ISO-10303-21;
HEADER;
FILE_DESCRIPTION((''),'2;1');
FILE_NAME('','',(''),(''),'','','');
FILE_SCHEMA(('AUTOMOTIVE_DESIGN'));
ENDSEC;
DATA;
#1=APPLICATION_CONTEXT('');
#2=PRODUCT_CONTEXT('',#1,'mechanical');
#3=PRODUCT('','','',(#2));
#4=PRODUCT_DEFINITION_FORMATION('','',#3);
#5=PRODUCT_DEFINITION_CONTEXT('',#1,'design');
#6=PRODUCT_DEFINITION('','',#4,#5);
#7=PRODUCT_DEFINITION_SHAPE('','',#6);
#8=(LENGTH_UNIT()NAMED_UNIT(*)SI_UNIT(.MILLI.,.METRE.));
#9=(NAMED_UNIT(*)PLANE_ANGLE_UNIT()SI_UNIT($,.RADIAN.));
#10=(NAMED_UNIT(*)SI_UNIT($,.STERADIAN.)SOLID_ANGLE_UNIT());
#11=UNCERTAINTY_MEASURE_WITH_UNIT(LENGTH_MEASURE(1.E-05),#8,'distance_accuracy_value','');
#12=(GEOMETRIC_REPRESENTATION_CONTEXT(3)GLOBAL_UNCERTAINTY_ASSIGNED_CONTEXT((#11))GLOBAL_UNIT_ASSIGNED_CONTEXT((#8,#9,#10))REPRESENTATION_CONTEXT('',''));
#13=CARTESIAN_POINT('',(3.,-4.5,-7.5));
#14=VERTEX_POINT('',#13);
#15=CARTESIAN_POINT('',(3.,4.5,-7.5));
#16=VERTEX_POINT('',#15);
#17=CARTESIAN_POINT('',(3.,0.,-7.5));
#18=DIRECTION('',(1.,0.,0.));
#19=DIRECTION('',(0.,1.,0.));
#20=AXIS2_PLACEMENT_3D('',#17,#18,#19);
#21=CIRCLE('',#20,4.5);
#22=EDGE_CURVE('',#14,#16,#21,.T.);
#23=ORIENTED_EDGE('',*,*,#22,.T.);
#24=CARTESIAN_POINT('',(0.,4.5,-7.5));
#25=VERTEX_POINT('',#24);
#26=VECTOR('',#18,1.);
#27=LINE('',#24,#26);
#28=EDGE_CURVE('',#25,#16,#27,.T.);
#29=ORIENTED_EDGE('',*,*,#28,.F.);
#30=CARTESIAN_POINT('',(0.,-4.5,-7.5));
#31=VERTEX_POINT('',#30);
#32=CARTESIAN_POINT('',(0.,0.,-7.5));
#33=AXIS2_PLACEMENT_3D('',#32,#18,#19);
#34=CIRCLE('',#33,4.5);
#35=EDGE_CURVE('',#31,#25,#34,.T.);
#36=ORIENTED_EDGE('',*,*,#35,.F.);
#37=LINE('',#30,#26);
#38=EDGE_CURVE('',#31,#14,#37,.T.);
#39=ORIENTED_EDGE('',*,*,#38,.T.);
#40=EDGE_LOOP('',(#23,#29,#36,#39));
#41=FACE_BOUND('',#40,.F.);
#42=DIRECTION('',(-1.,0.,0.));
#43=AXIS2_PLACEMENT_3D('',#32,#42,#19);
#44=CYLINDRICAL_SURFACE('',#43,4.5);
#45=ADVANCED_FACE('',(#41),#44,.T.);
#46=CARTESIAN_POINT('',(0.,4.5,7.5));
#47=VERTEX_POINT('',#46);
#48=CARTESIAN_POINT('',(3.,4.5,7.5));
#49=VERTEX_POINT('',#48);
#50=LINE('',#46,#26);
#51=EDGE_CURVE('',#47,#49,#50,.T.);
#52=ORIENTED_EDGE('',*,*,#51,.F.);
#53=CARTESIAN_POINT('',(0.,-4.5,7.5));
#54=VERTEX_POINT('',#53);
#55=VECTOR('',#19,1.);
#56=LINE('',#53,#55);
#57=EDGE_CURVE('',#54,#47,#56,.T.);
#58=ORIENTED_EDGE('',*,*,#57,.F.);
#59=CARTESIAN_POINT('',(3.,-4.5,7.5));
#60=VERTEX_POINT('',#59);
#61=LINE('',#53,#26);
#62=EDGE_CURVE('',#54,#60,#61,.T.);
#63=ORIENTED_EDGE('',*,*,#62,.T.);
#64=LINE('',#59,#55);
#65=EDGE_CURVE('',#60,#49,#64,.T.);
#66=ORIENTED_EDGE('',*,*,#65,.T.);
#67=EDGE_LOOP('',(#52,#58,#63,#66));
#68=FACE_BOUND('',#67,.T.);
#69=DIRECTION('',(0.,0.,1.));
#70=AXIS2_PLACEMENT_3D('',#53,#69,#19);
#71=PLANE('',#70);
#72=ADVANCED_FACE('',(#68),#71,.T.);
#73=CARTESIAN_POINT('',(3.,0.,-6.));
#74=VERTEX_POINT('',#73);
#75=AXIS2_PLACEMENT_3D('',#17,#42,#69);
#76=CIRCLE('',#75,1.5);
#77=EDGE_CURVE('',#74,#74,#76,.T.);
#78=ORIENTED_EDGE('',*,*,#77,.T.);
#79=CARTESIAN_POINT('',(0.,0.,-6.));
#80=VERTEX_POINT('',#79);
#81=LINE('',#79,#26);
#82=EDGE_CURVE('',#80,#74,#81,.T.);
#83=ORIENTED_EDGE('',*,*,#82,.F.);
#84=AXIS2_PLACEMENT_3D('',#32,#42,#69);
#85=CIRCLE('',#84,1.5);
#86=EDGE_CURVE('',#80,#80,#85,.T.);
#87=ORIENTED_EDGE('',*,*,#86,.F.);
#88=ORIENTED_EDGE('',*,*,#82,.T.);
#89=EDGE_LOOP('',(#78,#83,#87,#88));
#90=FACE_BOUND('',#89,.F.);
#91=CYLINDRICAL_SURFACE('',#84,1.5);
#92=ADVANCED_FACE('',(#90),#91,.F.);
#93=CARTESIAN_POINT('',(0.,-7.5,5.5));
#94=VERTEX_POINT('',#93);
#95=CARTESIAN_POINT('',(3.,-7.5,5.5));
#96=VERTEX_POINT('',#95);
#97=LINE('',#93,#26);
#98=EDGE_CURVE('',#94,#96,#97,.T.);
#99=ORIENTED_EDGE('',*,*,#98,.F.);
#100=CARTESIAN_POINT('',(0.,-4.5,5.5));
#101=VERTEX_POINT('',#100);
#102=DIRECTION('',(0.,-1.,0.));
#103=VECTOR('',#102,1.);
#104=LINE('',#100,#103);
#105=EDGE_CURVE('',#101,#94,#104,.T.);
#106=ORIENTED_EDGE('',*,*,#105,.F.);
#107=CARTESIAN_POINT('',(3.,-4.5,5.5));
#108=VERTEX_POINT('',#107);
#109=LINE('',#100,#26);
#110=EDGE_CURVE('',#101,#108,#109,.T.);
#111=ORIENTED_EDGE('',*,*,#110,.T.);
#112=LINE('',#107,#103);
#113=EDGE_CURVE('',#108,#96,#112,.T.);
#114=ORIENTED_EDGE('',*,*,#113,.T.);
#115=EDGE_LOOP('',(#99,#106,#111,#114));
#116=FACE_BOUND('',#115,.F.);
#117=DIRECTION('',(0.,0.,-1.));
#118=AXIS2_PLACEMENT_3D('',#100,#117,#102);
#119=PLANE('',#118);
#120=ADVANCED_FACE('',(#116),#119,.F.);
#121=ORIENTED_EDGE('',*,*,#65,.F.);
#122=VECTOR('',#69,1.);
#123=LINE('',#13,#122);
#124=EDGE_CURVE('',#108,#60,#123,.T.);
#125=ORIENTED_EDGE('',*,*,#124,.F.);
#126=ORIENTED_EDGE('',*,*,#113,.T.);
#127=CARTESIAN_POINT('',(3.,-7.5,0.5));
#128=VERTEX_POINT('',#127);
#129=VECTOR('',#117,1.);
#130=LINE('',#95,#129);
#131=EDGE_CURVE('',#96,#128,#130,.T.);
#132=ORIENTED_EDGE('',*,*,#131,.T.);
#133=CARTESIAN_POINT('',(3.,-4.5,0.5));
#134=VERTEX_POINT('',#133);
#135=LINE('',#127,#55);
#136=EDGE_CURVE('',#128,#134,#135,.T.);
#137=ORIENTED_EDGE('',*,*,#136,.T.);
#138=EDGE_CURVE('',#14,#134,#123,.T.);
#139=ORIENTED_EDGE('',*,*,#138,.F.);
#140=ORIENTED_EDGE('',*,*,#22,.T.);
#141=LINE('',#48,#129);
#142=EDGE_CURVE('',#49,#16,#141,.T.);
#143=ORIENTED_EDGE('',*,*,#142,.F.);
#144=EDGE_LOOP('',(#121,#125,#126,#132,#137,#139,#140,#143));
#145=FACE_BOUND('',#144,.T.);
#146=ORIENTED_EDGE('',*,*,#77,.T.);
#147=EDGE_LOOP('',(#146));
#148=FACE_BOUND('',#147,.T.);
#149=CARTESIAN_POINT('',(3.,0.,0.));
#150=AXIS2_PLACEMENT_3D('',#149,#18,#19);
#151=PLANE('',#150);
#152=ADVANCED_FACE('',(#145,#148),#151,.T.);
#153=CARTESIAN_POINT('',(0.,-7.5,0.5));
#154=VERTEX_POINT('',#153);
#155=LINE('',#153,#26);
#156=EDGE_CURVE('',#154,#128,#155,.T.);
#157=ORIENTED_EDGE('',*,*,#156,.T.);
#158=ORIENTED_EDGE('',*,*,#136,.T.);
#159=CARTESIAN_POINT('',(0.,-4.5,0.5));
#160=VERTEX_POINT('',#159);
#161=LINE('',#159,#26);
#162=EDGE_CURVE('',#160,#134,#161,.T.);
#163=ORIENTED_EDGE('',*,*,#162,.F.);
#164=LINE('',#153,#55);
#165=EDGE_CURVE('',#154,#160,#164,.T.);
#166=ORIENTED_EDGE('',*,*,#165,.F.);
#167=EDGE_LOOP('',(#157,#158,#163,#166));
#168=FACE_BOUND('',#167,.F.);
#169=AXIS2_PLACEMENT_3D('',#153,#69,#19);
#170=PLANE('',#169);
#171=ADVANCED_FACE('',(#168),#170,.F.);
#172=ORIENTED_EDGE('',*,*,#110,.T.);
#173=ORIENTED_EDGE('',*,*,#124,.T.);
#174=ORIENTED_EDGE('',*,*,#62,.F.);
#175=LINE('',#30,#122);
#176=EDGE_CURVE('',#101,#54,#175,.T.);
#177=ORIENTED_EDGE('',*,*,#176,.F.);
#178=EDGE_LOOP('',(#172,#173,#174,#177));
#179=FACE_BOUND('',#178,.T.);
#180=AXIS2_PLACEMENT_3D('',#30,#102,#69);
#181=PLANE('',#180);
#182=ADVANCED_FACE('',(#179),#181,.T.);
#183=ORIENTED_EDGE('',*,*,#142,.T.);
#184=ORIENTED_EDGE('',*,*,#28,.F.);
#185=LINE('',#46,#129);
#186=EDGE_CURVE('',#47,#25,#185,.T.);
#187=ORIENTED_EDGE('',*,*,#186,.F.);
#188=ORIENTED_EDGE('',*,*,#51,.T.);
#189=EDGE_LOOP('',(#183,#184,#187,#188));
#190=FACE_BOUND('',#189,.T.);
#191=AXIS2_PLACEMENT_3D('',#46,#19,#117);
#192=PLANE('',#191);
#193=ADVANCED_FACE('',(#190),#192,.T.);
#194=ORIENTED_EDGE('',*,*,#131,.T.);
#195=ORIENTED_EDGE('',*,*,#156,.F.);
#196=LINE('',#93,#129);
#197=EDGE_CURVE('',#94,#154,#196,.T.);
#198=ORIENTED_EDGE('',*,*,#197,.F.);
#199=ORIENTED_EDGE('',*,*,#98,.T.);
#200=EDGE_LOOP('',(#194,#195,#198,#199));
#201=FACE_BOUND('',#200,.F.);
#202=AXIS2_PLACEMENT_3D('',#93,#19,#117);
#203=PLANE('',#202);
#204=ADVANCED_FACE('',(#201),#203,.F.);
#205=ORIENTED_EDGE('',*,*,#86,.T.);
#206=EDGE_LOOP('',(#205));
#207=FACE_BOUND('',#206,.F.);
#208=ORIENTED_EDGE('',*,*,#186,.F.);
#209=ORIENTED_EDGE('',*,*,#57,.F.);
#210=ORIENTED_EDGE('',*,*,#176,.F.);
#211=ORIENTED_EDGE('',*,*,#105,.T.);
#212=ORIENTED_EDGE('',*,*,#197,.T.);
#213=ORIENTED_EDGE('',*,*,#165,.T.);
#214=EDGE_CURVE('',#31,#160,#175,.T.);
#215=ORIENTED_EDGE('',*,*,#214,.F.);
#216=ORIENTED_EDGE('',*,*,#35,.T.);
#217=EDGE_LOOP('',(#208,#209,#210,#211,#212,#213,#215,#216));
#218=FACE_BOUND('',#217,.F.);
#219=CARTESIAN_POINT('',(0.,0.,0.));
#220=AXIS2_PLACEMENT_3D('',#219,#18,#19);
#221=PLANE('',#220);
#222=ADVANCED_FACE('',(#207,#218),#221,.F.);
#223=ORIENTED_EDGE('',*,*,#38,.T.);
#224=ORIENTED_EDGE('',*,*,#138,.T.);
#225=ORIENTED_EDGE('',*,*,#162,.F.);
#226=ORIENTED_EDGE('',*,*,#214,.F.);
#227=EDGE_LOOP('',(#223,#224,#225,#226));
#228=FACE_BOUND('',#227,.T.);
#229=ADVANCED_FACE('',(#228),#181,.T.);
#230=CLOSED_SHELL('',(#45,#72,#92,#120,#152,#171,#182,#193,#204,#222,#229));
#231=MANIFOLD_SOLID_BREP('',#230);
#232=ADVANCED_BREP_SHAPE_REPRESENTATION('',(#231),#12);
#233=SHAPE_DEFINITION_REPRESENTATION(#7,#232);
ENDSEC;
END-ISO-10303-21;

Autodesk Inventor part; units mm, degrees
ref_plane "YZ Plane" through (0, 0, 0) normal (1, 0, 0) x (0, 1, 0)
ref_plane "XZ Plane" through (0, 0, 0) normal (0, 1, 0) x (-1, 0, 0)
ref_plane "XY Plane" through (0, 0, 0) normal (0, 0, 1) x (1, 0, 0)
sketch "Sketch1" plane through (0, 0, 0) normal (1, 0, 0) x (0, 1, 0)
  line L0 (-4.5, 7.5) -> (4.5, 7.5)
  line L1 (4.5, 7.5) -> (4.5, -7.5)
  line L2 (4.5, -7.5) -> (-4.5, -7.5)
  line L3 (-4.5, -7.5) -> (-4.5, 7.5)
  line L4 (-4.5, 7.5) -> (4.5, -7.5) construction
  line L5 (4.5, 7.5) -> (-4.5, -7.5) construction
  circle A0 centre (0, -7.5) radius 4.5
  point P0 (0, 0)
  dimension "d0" = 9
  dimension "d1" = 15
  dimension "d2" = 9
extrude "Extrusion1" add sketch "Sketch1" along normal blind 3
sketch "Sketch2" plane through (0, 0, 0) normal (-1, 0, 0) x (0, 0, 1)
  arc A0 (-7.5, 4.5) -> (-7.5, -4.5) centre (-7.5, 0) ccw projected
  circle A1 centre (-7.5, 0) radius 1.5
  point P0 (0, 0)
  dimension "d5" = 3
extrude "Extrusion2" cut sketch "Sketch2" against normal blind 10
sketch "Sketch3" plane through (0, 0, 0) normal (-1, 0, 0) x (0, 0, 1)
  line L0 (7.5, -4.5) -> (-7.5, -4.5) projected
  line L1 (0.5, -4.5) -> (5.5, -4.5)
  line L2 (5.5, -4.5) -> (5.5, -7.5)
  line L3 (5.5, -7.5) -> (0.5, -7.5)
  line L4 (0.5, -7.5) -> (0.5, -4.5)
  circle A0 centre (-7.5, 0) radius 1.5 projected
  point P0 (0, 0)
  dimension "d8" = 5
  dimension "d9" = 3
  dimension "d10" = 8
extrude "Extrusion3" add sketch "Sketch3" against normal blind 3 contours L2 L3 L4 L0
properties part number "Battey latch"
